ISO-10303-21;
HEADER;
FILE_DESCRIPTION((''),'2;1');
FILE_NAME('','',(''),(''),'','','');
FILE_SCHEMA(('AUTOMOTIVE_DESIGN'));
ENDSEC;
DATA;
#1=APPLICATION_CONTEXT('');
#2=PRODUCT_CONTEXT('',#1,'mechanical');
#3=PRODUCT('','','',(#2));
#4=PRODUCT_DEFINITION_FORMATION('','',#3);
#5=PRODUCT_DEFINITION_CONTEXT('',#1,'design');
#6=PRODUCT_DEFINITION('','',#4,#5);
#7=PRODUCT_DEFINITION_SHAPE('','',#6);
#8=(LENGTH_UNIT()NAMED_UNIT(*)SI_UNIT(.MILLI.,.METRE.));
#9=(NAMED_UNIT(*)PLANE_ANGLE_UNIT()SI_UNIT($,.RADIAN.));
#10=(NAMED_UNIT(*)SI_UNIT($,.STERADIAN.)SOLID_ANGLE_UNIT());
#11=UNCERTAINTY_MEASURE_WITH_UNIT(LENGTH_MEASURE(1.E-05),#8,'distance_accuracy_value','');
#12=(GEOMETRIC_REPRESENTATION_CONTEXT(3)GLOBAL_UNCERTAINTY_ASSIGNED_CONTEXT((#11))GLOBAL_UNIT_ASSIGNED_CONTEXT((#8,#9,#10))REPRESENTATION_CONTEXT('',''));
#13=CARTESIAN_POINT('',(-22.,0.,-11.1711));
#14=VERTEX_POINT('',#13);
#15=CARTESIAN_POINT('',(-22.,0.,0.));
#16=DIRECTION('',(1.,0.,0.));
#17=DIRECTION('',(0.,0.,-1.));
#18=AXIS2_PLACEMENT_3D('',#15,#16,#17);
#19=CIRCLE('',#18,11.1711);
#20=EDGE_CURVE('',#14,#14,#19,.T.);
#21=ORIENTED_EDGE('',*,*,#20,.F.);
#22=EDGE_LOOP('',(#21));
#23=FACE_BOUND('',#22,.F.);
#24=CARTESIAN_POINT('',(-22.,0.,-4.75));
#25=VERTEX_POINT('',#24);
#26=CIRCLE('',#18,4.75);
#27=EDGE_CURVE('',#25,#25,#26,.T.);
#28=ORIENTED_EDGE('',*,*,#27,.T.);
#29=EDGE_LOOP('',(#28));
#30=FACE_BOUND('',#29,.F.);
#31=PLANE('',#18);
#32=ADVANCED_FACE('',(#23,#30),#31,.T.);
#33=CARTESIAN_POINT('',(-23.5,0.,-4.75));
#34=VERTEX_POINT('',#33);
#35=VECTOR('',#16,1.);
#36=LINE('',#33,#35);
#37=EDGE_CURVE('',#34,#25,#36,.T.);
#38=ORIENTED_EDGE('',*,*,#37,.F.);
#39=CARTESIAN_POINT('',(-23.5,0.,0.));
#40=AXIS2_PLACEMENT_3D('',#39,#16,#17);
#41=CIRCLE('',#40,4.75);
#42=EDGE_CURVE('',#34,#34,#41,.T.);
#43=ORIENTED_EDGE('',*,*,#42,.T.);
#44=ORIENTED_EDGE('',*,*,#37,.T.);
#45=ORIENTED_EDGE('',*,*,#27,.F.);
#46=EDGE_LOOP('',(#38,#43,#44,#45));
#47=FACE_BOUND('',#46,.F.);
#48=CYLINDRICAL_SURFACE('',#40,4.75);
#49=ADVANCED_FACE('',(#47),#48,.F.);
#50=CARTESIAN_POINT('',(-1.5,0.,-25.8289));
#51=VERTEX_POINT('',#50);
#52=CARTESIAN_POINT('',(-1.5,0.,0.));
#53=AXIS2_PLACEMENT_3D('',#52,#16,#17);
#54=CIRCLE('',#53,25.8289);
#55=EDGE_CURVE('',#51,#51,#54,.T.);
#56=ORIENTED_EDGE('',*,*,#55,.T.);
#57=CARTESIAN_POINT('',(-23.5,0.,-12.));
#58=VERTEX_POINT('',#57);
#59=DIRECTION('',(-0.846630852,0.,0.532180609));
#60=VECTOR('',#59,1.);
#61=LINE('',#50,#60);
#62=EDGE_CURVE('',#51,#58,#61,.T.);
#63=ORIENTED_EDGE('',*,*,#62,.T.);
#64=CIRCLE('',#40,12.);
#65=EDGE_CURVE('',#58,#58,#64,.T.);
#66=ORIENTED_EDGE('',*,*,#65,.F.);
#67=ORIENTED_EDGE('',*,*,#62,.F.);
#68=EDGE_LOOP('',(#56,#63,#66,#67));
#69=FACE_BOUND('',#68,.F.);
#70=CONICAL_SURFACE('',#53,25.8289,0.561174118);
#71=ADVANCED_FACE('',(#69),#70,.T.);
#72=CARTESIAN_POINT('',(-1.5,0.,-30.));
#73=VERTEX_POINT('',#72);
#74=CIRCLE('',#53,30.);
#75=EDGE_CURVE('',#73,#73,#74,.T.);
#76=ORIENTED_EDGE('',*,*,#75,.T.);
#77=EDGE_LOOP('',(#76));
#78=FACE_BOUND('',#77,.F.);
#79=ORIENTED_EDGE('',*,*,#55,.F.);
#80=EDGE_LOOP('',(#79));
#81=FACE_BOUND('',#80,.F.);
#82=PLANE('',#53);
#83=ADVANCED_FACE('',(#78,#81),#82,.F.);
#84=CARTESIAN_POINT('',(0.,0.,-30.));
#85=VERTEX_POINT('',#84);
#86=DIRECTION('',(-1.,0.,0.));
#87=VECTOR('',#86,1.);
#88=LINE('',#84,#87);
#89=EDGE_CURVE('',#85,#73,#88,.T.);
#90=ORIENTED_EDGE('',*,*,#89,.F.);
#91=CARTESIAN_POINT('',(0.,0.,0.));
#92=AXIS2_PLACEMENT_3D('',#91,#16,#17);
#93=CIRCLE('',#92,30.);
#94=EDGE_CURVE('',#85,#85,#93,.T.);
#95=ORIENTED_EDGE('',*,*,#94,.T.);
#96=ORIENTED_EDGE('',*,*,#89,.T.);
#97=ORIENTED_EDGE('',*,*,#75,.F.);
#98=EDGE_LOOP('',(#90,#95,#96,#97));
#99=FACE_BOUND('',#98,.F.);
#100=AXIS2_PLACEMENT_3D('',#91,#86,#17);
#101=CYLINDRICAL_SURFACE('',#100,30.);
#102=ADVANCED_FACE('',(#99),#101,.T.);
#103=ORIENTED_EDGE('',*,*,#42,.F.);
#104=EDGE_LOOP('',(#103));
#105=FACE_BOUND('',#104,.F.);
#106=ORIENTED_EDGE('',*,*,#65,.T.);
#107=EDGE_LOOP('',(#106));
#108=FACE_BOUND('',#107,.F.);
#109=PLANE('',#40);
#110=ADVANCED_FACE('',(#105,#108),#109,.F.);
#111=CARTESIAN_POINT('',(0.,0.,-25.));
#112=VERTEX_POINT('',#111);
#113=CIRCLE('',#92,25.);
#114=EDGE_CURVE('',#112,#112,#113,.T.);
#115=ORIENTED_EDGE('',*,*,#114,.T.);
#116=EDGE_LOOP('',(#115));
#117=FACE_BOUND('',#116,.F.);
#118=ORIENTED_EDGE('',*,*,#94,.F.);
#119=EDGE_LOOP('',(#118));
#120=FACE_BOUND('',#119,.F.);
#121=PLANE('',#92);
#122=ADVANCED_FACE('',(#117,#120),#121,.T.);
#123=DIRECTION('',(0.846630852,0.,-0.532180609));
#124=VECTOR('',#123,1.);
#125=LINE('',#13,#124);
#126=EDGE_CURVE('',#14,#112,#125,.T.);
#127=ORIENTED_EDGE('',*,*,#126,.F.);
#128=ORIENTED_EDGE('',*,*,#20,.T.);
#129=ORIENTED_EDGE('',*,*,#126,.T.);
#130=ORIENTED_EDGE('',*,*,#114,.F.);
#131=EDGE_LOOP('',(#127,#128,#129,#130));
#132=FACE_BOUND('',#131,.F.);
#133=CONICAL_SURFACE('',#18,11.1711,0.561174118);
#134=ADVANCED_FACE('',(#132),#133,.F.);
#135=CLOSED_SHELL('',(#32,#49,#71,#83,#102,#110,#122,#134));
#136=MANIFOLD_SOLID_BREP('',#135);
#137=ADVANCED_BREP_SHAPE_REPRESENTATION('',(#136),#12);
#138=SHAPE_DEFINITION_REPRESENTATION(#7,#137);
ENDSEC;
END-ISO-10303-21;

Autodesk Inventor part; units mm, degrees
ref_plane "YZ Plane" through (0, 0, 0) normal (1, 0, 0) x (0, 1, 0)
ref_plane "XZ Plane" through (0, 0, 0) normal (0, 1, 0) x (-1, 0, 0)
ref_plane "XY Plane" through (0, 0, 0) normal (0, 0, 1) x (1, 0, 0)
sketch "Sketch1" plane through (0, 0, 0) normal (0, 1, 0) x (-1, 0, 0)
  point P0 (0, 0)
sketch "Sketch2" plane through (0, 0, 0) normal (0, 1, 0) x (-1, 0, 0)
  line L0 (0, -25) -> (0, -30)
  line L1 (0, -30) -> (1.5, -30)
  line L2 (1.5, -30) -> (1.5, -25.8289)
  line L3 (1.5, -25.8289) -> (23.5, -12)
  line L4 (23.5, -12) -> (23.5, -4.75)
  line L5 (23.5, -4.75) -> (22, -4.75)
  line L6 (22, -4.75) -> (22, -11.1711)
  line L7 (22, -11.1711) -> (0, -25)
  line L8 (28.2, 0) -> (-4.7, 0) projected
  line L9 (0, -36) -> (0, 6) projected
  dimension "d6" = 1.5
  dimension "d7" = 1.5
  dimension "d8" = 4.75
  dimension "d9" = 7.25
  dimension "d10" = 5
  dimension "d11" = 30
  dimension "d12" = 23.5
  dimension "d13" = 1.5
revolve "Revolution1" add sketch "Sketch2" angle 360 about axis through (-10, 0, 0) along (1, 0, 0)
properties part number "base-biotrap"
